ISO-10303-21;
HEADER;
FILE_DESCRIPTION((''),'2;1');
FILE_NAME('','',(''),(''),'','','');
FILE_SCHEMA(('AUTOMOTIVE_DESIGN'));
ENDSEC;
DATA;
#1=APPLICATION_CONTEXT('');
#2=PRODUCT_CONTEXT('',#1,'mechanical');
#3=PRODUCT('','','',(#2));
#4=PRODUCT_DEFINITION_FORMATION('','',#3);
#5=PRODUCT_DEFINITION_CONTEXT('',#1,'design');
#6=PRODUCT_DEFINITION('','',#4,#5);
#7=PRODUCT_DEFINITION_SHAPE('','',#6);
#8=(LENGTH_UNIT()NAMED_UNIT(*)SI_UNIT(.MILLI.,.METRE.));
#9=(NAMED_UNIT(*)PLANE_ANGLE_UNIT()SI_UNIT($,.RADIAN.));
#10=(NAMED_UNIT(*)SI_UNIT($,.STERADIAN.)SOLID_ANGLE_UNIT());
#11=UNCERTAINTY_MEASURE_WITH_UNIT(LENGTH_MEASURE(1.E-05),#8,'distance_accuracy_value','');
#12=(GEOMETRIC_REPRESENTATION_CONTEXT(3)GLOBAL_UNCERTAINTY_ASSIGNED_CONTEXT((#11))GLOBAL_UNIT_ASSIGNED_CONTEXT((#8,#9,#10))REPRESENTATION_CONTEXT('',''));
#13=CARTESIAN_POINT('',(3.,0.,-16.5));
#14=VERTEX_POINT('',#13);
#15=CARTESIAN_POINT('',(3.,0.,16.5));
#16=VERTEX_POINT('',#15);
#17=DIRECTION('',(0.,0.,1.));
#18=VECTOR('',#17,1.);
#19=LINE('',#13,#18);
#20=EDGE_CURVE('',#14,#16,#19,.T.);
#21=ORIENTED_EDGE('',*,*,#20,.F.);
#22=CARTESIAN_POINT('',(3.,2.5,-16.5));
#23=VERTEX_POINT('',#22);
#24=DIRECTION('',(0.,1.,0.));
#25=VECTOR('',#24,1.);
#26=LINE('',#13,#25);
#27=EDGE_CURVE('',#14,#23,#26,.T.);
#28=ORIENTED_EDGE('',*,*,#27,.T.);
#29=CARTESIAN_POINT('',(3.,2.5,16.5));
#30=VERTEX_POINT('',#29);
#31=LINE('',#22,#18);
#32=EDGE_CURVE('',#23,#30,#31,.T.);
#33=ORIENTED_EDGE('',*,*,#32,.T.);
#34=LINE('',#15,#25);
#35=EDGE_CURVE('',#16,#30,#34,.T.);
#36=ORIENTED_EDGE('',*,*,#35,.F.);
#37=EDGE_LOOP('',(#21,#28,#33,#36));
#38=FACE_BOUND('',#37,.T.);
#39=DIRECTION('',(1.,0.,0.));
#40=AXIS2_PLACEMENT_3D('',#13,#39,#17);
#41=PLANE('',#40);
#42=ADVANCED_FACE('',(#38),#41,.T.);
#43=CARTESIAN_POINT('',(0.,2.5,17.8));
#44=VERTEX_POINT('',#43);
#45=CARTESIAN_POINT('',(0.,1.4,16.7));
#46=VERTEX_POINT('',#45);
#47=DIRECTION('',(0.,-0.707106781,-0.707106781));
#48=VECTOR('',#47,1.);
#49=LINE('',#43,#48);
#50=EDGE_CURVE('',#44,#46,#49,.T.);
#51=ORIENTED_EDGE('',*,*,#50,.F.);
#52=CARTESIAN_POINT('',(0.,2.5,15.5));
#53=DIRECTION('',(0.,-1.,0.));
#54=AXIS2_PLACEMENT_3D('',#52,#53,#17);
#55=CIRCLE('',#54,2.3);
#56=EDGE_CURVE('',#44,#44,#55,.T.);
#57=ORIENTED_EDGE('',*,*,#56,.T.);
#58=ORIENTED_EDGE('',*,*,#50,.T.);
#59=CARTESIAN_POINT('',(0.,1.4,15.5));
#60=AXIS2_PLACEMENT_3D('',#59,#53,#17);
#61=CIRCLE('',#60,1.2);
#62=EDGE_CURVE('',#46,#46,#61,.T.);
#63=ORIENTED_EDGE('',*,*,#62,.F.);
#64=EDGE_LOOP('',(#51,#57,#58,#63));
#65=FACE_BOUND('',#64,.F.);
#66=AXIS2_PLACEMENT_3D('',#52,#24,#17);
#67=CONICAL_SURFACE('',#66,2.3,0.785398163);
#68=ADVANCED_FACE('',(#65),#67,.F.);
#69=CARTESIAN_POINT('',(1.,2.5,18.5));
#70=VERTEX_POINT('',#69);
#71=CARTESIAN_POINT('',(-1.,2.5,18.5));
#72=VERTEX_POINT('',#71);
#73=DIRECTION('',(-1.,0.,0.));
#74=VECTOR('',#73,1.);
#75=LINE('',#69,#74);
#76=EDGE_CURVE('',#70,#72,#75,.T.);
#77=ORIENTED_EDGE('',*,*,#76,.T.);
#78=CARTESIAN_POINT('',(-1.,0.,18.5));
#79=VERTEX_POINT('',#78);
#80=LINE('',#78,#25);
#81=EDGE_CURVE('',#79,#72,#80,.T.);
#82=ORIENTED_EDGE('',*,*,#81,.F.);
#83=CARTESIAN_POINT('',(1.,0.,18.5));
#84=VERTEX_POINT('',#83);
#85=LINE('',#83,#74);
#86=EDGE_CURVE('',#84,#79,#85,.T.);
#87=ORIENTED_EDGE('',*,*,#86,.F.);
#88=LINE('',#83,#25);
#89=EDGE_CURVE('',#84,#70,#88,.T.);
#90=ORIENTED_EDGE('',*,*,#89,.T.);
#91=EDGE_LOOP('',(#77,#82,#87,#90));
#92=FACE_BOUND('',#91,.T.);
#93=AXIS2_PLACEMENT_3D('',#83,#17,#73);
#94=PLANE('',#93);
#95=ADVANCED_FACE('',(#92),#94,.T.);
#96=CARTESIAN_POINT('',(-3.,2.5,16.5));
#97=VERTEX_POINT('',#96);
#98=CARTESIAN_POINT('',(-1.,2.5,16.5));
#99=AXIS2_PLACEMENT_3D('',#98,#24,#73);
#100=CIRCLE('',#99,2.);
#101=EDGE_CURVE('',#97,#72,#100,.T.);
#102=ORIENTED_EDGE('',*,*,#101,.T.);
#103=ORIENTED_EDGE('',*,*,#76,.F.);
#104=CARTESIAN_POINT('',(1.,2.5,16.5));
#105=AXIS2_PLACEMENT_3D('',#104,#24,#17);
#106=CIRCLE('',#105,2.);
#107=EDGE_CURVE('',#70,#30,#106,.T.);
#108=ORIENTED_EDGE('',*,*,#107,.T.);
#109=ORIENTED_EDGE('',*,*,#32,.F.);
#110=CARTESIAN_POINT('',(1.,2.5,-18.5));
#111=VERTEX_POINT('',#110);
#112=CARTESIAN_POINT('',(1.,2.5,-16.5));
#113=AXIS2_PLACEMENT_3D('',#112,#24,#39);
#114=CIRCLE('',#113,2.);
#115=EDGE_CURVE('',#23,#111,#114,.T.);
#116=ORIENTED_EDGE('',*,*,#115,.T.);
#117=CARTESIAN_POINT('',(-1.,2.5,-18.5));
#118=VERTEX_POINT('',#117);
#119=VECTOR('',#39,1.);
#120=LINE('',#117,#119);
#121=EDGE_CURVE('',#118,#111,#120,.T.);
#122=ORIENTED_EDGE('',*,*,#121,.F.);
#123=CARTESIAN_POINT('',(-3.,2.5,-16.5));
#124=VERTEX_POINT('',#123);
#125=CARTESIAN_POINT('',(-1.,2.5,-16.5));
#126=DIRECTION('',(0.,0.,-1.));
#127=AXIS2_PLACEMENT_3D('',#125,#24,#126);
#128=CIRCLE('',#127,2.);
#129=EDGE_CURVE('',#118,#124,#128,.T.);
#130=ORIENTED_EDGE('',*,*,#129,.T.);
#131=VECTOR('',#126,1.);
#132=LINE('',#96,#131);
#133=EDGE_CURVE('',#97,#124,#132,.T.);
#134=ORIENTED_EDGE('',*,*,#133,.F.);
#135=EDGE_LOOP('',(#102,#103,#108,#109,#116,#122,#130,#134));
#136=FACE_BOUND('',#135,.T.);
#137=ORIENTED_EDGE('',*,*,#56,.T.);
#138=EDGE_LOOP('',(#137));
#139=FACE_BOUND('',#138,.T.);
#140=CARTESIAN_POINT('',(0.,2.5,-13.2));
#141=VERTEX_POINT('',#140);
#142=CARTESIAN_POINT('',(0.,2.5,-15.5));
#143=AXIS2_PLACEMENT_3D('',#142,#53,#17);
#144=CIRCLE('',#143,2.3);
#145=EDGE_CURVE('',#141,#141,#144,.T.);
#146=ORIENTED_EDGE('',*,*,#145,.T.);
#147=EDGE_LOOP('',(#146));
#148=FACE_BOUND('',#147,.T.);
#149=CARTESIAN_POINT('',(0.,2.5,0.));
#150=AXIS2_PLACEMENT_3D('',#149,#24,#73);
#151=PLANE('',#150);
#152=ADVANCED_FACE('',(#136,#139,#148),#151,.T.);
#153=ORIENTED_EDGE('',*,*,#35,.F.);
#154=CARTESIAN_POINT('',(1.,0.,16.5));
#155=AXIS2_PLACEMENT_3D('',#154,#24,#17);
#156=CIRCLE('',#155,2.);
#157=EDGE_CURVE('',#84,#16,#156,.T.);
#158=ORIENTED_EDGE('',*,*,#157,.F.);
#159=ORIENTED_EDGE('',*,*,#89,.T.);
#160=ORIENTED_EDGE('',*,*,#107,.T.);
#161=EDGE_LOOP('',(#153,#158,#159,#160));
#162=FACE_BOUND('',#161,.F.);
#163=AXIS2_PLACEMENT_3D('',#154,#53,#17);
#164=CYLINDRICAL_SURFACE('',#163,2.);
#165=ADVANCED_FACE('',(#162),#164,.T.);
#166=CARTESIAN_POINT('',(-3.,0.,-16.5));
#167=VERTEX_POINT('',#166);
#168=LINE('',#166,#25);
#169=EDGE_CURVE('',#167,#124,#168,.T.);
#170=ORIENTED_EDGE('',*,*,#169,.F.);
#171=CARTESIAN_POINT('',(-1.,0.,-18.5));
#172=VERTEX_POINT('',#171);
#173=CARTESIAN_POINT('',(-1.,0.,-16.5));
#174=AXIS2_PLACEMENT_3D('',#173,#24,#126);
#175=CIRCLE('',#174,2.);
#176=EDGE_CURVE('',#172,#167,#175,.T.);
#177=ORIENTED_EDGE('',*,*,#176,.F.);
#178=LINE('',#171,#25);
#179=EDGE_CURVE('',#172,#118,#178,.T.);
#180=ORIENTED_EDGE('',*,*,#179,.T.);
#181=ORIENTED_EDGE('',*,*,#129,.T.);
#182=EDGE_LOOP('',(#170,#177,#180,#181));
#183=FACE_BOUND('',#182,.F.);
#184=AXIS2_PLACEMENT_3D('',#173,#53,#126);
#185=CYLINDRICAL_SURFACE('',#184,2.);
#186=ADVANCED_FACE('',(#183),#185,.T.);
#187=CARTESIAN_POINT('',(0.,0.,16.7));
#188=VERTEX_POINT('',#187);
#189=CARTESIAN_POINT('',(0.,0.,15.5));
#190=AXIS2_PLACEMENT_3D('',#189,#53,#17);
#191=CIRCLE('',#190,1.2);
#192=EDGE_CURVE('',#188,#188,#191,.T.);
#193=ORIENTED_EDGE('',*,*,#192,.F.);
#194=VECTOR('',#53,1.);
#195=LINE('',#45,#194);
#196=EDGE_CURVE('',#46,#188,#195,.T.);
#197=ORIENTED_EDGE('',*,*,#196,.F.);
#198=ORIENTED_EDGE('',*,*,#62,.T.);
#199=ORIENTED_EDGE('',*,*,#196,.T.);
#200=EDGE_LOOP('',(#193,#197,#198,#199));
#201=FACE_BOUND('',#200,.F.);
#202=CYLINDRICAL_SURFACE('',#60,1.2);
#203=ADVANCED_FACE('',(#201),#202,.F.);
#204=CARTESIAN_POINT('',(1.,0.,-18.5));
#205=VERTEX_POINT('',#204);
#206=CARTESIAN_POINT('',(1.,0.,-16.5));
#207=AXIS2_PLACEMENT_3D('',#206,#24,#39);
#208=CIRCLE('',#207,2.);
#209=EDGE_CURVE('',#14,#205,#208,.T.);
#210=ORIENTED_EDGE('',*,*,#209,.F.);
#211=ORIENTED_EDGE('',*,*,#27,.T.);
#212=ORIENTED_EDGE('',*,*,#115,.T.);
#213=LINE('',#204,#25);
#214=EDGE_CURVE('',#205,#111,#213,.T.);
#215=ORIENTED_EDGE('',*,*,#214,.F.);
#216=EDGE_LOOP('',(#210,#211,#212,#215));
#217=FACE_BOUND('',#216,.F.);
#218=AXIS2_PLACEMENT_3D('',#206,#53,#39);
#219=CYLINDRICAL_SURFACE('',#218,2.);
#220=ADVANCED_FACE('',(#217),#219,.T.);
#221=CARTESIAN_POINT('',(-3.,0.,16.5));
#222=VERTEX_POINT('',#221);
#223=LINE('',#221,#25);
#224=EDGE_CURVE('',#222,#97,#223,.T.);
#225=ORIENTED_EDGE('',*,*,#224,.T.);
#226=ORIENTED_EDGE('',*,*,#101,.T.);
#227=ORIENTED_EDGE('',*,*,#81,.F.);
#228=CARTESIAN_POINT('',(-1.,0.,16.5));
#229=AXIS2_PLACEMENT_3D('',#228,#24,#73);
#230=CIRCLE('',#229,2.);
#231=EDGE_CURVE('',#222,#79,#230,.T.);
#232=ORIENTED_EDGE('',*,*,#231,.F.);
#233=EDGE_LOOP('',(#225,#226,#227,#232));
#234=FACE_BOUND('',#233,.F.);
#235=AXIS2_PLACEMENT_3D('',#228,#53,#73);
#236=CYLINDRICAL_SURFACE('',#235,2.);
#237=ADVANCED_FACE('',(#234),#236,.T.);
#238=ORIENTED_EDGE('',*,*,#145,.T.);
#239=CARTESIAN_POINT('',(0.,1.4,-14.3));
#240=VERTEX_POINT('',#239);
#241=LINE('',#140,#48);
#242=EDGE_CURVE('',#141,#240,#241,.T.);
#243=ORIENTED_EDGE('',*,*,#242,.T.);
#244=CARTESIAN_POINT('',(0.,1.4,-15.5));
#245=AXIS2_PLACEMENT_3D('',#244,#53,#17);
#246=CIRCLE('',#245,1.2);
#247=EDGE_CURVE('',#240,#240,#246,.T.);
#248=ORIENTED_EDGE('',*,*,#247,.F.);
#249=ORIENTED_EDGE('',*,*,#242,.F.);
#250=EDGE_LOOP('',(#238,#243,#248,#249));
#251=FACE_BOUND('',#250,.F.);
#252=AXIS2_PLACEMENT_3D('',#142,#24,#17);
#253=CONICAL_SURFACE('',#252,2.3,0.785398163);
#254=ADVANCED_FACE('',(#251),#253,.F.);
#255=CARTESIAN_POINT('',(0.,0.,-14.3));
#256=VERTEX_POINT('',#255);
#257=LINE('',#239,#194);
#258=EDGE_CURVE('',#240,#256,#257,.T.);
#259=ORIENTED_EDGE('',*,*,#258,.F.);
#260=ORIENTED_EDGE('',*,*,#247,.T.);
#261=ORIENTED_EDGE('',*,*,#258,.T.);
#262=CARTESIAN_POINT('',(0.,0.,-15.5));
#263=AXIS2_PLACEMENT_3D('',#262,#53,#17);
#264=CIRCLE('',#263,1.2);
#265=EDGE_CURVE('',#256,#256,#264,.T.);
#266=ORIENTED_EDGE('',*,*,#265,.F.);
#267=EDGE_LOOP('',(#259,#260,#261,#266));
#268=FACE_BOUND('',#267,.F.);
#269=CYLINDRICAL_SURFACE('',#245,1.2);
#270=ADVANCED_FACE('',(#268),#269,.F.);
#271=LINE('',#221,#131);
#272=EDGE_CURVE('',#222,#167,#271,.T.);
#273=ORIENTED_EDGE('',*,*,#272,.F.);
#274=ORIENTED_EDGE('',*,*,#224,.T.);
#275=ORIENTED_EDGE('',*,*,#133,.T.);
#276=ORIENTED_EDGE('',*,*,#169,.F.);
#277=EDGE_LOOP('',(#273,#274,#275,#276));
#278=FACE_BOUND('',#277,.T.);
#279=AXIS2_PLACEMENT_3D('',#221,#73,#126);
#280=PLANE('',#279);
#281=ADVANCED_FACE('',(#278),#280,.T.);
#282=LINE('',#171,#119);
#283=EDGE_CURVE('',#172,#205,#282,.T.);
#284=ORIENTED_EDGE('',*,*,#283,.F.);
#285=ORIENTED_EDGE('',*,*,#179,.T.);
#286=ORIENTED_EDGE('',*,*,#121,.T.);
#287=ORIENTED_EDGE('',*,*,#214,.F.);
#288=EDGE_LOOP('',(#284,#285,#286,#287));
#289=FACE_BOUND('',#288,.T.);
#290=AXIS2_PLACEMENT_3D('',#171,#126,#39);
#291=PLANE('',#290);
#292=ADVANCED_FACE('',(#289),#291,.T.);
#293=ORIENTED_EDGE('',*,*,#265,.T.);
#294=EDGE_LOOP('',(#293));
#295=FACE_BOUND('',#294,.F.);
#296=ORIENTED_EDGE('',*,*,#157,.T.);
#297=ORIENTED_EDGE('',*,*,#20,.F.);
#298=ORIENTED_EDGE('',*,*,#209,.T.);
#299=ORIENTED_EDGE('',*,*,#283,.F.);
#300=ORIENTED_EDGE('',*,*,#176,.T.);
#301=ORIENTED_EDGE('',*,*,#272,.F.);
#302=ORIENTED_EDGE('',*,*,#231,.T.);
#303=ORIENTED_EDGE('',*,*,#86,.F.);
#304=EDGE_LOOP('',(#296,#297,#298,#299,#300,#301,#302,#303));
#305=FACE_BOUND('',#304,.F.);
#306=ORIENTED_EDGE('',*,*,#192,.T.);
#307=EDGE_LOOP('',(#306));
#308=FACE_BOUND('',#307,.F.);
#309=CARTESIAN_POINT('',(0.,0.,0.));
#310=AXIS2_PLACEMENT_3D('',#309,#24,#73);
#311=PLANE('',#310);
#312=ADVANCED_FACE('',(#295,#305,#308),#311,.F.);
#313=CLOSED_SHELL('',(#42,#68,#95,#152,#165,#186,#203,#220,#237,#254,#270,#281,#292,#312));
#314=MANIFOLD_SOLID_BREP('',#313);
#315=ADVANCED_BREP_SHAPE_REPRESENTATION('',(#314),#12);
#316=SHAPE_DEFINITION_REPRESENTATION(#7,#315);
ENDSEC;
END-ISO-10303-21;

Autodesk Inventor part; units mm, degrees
ref_plane "YZ Plane" through (0, 0, 0) normal (1, 0, 0) x (0, 1, 0)
ref_plane "XZ Plane" through (0, 0, 0) normal (0, 1, 0) x (-1, 0, 0)
ref_plane "XY Plane" through (0, 0, 0) normal (0, 0, 1) x (1, 0, 0)
sketch "Эскиз1" plane through (0, 0, 0) normal (0, 1, 0) x (-1, 0, 0)
  line L0 (-1, 18.5) -> (1, 18.5)
  line L1 (3, 16.5) -> (3, -16.5)
  line L2 (1, -18.5) -> (-1, -18.5)
  line L3 (-3, -16.5) -> (-3, 16.5)
  line L4 (-3, 18.5) -> (3, -18.5) construction
  line L5 (3, 18.5) -> (-3, -18.5) construction
  arc A0 (3, 16.5) -> (1, 18.5) centre (1, 16.5) ccw
  arc A1 (-1, 18.5) -> (-3, 16.5) centre (-1, 16.5) ccw
  arc A2 (1, -18.5) -> (3, -16.5) centre (1, -16.5) ccw
  arc A3 (-3, -16.5) -> (-1, -18.5) centre (-1, -16.5) ccw
  circle A4 centre (0, 15.5) radius 2.3
  line L6 (0, 0) -> (0, 8.5528) construction
  line L7 (3, 0) -> (-3, 0) construction
  circle A5 centre (0, -15.5) radius 2.3
  dimension "d0" = 6
  dimension "d1" = 2
  dimension "d2" = 2
  dimension "d3" = 4.6
  dimension "d4" = 3
  dimension "d5" = 15.5
extrude "Выдавливание1" add sketch "Эскиз1" along normal blind 2.5 contours L0 A0 L1 A2 L2 A3 L3 A1 | A4 | A5
sketch "Эскиз2" plane through (0, 2.5, 0) normal (0, 1, 0) x (1, 0, 0)
  circle A0 centre (0, -15.5) radius 2.3 projected
  circle A1 centre (0, 15.5) radius 2.3 projected
  point P0 (0, 0)
hole "Отверстие1" at (0, 2.5, 15.5) at (0, 2.5, -15.5) direction (0, -1, 0) diameter 2.4 depth 4 countersink diameter 4.6 countersink angle 90 clearance for "с потайной головкой ГОСТ 12876-67" size "M2" standard "ГОСТ"
properties part number "кронштейн wemos"
